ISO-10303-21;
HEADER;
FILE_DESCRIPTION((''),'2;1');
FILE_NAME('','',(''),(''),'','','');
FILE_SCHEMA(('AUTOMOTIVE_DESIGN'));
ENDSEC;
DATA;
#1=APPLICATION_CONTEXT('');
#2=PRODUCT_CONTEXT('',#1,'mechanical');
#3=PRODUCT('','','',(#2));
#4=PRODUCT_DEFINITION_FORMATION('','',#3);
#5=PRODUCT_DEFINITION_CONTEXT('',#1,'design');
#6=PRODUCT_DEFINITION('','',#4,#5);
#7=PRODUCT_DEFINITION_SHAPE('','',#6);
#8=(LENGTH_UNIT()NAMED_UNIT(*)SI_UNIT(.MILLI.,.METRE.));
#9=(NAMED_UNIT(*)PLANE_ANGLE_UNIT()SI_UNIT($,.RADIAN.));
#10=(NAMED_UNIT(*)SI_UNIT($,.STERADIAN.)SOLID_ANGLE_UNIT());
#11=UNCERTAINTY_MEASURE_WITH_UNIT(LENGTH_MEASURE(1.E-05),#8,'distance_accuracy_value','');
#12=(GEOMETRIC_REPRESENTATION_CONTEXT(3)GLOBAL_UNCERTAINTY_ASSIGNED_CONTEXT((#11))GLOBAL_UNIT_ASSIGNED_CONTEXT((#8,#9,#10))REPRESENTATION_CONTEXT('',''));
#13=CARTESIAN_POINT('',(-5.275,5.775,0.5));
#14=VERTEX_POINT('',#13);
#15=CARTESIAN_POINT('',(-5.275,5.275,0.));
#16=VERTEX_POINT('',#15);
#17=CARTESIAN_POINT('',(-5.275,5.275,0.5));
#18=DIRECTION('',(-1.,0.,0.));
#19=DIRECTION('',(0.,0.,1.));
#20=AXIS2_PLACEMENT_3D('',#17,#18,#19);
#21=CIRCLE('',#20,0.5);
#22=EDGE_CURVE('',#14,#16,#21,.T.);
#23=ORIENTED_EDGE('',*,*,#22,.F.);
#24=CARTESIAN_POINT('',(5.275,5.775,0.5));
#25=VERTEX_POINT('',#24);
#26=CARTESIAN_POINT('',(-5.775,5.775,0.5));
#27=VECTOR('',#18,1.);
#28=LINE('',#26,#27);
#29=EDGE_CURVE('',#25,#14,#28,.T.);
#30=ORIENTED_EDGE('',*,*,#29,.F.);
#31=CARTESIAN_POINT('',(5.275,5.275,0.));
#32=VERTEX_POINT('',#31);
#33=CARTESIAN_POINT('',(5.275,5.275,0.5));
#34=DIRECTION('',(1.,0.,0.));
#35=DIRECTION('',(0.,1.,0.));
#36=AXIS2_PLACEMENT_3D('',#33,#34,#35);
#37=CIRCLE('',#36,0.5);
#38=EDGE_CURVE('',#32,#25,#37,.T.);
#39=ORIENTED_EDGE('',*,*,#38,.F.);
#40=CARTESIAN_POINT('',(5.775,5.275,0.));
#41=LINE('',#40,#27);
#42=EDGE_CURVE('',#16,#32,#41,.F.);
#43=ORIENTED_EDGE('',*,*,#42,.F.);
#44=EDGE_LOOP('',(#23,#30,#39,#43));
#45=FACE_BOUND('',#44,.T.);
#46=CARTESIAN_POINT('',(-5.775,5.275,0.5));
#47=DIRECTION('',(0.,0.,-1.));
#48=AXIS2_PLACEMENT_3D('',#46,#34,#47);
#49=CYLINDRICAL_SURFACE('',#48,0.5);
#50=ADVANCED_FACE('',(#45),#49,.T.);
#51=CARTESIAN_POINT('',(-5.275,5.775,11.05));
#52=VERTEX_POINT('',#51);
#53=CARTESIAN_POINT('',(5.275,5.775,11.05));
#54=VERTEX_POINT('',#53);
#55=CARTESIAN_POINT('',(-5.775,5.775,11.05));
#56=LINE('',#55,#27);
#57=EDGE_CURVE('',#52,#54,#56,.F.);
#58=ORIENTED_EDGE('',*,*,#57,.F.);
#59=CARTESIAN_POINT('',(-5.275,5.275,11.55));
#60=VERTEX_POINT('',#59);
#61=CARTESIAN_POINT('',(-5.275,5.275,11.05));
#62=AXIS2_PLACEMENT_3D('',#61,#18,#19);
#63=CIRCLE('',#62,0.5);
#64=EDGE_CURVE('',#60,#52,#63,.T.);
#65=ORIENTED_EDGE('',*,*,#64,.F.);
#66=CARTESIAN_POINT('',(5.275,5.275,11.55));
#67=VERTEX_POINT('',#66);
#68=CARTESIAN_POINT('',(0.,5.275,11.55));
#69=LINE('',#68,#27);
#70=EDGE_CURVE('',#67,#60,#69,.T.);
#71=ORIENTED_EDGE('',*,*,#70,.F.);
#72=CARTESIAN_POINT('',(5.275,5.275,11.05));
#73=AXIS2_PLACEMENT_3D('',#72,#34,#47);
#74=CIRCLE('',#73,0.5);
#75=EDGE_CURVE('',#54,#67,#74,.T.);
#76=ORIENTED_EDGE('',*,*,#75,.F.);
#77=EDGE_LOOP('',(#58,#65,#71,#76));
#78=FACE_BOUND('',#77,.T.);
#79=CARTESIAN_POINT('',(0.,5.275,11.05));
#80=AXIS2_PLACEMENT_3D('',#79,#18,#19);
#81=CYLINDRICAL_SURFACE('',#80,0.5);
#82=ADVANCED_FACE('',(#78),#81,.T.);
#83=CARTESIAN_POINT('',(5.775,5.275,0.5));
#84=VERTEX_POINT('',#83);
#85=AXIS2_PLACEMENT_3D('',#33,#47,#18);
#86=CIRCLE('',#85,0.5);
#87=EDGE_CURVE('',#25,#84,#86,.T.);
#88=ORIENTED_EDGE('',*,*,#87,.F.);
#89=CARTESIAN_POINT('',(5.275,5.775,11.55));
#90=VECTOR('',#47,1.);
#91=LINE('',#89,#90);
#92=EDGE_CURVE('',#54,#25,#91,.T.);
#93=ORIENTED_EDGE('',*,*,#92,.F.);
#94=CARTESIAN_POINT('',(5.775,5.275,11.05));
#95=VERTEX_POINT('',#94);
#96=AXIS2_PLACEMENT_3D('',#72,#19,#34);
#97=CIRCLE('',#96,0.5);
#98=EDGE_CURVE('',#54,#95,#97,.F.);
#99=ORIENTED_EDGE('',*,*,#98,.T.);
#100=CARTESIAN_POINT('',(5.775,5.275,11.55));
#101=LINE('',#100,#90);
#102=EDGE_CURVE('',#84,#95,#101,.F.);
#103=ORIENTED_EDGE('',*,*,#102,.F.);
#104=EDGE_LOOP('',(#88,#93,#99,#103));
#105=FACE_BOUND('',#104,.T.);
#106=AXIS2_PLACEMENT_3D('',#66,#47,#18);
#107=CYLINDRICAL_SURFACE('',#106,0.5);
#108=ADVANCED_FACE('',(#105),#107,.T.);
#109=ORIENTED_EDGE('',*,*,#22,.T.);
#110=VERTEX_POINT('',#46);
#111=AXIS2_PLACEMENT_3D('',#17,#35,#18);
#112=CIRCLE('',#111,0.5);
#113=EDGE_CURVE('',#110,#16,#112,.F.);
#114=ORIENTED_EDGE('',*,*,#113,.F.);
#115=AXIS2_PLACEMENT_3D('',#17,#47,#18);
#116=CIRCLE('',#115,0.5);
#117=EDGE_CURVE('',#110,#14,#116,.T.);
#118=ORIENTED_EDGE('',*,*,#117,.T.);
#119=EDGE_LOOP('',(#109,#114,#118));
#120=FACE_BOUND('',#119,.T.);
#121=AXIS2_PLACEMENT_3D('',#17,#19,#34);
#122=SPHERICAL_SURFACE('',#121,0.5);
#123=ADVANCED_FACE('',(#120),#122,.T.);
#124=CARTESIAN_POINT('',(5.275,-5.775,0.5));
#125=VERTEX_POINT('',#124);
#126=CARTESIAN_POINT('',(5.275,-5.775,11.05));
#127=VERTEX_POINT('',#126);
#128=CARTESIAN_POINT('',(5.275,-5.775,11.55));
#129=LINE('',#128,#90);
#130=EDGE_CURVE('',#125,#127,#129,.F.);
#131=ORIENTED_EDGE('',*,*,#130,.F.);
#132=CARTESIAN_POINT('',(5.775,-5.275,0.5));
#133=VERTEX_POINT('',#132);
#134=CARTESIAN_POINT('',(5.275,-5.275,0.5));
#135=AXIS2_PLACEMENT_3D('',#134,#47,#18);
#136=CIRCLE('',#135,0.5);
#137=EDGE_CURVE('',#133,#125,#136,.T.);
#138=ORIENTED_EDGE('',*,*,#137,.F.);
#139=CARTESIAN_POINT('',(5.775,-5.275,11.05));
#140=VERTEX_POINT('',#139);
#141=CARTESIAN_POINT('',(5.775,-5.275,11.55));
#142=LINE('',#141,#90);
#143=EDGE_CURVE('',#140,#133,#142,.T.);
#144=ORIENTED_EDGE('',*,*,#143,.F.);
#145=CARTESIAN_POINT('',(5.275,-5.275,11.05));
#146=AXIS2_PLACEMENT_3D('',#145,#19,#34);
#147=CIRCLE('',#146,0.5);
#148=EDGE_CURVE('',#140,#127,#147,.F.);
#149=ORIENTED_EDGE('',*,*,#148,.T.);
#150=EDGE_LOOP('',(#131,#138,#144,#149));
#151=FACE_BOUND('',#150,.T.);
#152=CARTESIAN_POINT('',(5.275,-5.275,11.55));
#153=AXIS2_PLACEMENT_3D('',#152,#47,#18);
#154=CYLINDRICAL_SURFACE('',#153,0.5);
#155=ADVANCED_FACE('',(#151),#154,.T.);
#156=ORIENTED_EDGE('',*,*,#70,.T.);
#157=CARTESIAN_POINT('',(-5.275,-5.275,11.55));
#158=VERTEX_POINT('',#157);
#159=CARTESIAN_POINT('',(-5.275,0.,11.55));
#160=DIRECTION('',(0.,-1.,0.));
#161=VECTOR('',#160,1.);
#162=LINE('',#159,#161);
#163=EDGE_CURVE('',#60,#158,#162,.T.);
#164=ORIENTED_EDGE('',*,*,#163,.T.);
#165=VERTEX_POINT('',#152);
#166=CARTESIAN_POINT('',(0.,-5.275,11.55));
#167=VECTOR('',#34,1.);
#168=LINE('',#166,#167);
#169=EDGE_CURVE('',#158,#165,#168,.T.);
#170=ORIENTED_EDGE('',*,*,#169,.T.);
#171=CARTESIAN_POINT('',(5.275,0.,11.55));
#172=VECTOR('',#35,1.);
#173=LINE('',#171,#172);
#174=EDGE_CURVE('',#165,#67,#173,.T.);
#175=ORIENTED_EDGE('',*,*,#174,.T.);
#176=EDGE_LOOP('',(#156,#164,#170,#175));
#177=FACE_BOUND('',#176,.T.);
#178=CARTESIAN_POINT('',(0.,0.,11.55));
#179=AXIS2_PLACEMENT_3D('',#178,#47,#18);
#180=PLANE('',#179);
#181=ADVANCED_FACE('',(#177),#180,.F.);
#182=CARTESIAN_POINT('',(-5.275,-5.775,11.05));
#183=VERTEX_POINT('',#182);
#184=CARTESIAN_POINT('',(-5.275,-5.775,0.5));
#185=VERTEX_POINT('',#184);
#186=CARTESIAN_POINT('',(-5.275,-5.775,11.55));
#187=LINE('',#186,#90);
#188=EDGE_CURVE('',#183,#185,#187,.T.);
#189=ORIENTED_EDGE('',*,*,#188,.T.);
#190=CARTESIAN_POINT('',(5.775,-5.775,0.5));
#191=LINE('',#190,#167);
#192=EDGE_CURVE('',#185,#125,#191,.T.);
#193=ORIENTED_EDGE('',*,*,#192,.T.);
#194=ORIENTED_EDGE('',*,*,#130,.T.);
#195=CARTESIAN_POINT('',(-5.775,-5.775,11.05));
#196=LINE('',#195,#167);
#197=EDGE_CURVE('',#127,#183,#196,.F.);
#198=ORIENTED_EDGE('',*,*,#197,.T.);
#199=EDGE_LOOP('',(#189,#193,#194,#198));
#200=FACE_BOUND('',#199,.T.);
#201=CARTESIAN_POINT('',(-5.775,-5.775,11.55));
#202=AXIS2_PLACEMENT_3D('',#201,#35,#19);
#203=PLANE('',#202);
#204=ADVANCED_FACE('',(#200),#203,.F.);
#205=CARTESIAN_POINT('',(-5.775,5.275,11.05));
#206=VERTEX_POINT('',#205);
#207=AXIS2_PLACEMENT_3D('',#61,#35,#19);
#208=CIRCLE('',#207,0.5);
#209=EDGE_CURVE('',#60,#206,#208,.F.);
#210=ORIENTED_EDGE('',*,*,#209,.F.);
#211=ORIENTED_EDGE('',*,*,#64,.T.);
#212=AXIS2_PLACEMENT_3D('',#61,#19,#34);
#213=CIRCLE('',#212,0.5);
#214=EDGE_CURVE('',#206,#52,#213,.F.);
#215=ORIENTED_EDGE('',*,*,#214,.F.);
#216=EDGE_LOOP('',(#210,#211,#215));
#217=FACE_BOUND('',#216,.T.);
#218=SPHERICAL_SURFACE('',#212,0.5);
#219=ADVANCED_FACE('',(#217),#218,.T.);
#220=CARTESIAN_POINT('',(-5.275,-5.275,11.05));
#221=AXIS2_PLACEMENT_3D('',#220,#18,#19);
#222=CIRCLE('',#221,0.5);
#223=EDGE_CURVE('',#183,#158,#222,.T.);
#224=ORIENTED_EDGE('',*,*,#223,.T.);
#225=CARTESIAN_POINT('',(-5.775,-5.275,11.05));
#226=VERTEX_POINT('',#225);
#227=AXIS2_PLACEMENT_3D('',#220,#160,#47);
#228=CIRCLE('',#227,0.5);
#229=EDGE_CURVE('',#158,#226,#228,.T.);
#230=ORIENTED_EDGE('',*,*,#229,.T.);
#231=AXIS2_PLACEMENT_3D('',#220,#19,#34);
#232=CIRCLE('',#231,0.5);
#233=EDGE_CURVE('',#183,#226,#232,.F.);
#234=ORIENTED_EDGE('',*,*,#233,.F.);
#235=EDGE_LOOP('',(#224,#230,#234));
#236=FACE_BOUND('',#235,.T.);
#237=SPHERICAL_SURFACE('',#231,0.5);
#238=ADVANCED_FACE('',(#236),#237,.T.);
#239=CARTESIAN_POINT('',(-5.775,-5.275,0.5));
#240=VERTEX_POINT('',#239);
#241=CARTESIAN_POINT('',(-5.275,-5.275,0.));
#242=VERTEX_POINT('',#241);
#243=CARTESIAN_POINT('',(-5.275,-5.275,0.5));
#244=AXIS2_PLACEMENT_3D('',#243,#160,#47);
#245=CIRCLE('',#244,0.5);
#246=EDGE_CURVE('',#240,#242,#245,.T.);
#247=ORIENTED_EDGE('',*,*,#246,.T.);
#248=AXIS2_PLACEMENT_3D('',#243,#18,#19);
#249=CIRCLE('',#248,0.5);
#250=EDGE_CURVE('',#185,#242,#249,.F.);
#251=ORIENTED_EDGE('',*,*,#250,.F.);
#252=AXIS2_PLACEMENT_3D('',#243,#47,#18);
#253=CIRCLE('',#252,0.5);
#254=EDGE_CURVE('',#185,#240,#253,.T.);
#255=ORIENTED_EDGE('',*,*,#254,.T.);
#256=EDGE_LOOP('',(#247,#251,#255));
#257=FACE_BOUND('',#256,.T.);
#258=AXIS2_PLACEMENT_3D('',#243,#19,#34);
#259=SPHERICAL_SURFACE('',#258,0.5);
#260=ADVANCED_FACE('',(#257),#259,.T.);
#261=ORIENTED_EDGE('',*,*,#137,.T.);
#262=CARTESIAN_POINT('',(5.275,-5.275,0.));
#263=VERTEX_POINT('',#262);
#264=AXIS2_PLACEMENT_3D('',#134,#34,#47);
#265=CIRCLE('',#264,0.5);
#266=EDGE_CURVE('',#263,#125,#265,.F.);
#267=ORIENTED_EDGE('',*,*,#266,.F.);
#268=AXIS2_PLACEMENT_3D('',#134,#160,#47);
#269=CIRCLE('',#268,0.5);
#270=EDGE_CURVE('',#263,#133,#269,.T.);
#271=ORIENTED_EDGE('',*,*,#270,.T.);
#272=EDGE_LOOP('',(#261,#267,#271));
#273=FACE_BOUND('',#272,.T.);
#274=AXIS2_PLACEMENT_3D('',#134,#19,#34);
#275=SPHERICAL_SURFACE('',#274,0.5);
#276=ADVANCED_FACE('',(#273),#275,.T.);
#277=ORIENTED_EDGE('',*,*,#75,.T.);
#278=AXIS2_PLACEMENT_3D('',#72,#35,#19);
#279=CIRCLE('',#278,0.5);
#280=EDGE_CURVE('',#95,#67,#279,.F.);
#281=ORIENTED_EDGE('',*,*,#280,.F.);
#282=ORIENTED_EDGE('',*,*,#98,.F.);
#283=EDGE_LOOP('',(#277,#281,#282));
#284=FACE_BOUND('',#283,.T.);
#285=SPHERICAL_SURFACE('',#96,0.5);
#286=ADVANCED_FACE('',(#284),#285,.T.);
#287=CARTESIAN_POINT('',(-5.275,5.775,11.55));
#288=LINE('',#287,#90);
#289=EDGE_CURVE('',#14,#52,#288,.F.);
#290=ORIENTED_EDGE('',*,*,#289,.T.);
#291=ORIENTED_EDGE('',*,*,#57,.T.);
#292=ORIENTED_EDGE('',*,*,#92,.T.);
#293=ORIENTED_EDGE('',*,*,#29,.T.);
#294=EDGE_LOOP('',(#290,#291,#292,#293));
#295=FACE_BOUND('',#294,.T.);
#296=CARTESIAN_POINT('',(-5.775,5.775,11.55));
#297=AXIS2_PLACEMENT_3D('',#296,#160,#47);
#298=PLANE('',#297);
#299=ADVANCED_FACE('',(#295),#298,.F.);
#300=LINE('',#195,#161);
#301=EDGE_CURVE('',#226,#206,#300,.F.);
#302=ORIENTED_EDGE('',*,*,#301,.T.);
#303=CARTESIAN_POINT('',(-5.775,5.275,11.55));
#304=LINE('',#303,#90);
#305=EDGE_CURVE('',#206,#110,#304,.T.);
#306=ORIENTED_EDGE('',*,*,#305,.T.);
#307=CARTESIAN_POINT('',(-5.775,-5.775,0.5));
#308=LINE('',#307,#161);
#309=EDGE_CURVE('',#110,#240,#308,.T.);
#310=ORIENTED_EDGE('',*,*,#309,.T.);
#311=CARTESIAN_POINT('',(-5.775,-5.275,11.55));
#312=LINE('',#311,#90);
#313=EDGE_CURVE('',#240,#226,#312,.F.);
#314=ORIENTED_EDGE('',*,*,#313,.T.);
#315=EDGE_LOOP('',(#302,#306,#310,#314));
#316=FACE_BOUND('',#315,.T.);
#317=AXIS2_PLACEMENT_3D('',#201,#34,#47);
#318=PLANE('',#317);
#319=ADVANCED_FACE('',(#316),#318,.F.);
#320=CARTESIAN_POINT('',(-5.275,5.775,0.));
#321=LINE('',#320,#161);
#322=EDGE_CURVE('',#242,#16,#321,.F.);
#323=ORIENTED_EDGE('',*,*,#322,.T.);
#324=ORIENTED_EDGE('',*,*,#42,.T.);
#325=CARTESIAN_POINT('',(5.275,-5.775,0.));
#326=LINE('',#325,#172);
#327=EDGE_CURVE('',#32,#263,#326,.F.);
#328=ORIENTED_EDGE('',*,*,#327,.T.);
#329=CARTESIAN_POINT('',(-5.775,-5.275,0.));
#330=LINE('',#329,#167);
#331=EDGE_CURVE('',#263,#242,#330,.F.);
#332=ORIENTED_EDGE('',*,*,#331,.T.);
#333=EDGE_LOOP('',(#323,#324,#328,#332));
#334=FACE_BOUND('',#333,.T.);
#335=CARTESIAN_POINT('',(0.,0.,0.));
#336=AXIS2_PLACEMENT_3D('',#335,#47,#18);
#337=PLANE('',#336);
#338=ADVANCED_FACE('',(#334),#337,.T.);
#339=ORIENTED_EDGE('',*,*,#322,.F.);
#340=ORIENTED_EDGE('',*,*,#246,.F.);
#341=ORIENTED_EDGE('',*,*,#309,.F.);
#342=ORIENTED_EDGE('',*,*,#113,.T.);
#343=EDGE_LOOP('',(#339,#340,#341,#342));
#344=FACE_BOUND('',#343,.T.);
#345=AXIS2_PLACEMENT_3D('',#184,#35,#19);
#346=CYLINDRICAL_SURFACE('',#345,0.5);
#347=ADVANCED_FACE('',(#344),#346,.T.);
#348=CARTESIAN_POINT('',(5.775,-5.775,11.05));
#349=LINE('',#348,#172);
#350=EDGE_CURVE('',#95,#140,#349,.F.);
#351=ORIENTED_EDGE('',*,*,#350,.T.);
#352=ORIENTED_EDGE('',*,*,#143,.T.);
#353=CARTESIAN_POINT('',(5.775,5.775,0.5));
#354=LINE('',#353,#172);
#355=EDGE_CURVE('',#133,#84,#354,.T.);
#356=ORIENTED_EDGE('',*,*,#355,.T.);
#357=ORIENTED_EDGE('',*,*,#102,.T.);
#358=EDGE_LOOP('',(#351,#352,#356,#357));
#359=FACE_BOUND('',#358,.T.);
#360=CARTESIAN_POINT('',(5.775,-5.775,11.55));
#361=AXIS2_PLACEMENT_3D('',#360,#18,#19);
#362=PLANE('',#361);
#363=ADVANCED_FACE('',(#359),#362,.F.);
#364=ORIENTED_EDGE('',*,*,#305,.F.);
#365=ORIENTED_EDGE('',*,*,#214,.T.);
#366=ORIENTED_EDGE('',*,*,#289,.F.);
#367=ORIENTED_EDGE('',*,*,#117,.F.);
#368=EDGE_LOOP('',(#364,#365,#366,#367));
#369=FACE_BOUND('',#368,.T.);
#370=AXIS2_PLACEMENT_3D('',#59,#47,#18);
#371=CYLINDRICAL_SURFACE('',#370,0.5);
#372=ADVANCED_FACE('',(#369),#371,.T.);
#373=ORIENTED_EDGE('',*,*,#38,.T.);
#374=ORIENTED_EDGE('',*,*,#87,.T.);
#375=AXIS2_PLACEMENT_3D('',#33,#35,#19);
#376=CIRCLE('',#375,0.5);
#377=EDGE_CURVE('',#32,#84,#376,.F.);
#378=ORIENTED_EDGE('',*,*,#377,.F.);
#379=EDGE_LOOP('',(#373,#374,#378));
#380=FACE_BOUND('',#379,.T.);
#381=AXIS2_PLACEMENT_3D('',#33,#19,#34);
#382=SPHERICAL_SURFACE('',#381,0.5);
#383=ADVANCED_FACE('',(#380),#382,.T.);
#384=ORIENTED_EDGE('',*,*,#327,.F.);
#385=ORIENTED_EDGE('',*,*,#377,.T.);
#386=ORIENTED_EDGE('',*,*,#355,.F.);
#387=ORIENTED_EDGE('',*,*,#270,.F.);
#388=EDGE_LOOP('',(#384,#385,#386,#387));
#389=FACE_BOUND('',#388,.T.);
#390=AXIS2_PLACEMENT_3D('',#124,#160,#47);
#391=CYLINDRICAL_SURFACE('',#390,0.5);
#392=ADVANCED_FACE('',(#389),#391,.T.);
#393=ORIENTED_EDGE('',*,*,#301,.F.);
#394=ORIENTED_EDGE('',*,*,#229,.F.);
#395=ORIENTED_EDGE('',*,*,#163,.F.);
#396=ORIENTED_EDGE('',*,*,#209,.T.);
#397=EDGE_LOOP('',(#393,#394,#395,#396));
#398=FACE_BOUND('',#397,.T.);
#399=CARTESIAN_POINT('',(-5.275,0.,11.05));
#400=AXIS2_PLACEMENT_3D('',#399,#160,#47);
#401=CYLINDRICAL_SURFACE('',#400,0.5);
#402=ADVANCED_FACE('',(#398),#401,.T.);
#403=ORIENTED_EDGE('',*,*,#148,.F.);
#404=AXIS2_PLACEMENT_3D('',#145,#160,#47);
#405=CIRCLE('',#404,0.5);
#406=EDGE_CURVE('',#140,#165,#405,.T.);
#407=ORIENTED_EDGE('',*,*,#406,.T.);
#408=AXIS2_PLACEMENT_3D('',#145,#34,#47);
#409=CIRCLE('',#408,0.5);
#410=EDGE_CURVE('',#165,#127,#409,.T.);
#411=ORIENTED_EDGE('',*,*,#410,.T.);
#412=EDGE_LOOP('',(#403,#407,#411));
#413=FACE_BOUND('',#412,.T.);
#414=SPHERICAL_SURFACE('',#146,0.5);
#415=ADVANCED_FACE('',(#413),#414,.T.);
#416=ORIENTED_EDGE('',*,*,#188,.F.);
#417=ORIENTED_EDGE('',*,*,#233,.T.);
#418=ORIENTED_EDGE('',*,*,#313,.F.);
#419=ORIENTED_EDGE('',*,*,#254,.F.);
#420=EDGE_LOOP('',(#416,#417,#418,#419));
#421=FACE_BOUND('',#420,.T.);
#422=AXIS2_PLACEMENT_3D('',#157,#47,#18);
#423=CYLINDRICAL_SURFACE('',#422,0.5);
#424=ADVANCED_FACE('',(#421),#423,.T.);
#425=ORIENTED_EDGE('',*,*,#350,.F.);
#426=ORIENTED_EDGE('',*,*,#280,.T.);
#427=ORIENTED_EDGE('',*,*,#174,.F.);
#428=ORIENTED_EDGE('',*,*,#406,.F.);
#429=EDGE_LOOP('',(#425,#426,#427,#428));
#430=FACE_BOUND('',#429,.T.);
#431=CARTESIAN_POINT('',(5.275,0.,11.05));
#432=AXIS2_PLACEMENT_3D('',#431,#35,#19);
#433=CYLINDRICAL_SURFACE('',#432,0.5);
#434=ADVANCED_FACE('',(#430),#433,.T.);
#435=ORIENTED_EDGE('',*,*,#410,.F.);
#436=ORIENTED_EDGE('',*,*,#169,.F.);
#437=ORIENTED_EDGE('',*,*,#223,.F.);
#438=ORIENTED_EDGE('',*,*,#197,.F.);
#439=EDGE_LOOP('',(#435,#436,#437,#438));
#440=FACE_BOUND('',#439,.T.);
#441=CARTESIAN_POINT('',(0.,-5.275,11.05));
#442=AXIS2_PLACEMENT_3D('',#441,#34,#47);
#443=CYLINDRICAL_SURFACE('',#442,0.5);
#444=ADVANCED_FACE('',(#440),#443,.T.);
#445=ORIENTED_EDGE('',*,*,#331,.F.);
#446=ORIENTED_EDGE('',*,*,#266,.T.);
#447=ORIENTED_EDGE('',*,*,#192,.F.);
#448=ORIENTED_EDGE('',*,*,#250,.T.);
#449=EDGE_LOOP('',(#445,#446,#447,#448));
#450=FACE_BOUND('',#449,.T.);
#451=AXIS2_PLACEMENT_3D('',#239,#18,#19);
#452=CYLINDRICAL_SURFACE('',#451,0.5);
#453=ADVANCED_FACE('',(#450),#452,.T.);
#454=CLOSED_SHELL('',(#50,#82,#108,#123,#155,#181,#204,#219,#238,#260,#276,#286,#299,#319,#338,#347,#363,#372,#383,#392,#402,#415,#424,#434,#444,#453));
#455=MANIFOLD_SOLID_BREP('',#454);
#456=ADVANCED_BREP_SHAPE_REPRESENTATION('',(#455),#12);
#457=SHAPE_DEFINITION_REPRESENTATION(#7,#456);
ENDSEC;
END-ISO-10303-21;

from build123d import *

# Parameters (mm, degrees)
SKETCH1_W           = 11.55
SKETCH1_H           = 11.55
BOSS_EXTRUDE1_DEPTH = 11.55
FILLET1_R           = 0.5


with BuildPart() as part:
    # Sketch1 → Boss-Extrude1 (new body)
    with BuildSketch(Plane.XY):
        Rectangle(SKETCH1_W, SKETCH1_H)
    extrude(amount=BOSS_EXTRUDE1_DEPTH)

    # Fillet1
    fillet1_edges = [part.edges().sort_by_distance(p)[0] for p in [
        (-5.775, 0, 11.55),
        (0, -5.775, 11.55),
        (5.775, 0, 11.55),
        (0, -5.775, 0),
        (-5.775, 0, 0),
        (0, 5.775, 0),
        (5.775, 0, 0),
        (0, 5.775, 11.55),
        (5.775, -5.775, 5.775),
        (-5.775, -5.775, 5.775),
        (-5.775, 5.775, 5.775),
        (5.775, 5.775, 5.775),
    ]]
    fillet(fillet1_edges, radius=FILLET1_R)


solid = part.part
